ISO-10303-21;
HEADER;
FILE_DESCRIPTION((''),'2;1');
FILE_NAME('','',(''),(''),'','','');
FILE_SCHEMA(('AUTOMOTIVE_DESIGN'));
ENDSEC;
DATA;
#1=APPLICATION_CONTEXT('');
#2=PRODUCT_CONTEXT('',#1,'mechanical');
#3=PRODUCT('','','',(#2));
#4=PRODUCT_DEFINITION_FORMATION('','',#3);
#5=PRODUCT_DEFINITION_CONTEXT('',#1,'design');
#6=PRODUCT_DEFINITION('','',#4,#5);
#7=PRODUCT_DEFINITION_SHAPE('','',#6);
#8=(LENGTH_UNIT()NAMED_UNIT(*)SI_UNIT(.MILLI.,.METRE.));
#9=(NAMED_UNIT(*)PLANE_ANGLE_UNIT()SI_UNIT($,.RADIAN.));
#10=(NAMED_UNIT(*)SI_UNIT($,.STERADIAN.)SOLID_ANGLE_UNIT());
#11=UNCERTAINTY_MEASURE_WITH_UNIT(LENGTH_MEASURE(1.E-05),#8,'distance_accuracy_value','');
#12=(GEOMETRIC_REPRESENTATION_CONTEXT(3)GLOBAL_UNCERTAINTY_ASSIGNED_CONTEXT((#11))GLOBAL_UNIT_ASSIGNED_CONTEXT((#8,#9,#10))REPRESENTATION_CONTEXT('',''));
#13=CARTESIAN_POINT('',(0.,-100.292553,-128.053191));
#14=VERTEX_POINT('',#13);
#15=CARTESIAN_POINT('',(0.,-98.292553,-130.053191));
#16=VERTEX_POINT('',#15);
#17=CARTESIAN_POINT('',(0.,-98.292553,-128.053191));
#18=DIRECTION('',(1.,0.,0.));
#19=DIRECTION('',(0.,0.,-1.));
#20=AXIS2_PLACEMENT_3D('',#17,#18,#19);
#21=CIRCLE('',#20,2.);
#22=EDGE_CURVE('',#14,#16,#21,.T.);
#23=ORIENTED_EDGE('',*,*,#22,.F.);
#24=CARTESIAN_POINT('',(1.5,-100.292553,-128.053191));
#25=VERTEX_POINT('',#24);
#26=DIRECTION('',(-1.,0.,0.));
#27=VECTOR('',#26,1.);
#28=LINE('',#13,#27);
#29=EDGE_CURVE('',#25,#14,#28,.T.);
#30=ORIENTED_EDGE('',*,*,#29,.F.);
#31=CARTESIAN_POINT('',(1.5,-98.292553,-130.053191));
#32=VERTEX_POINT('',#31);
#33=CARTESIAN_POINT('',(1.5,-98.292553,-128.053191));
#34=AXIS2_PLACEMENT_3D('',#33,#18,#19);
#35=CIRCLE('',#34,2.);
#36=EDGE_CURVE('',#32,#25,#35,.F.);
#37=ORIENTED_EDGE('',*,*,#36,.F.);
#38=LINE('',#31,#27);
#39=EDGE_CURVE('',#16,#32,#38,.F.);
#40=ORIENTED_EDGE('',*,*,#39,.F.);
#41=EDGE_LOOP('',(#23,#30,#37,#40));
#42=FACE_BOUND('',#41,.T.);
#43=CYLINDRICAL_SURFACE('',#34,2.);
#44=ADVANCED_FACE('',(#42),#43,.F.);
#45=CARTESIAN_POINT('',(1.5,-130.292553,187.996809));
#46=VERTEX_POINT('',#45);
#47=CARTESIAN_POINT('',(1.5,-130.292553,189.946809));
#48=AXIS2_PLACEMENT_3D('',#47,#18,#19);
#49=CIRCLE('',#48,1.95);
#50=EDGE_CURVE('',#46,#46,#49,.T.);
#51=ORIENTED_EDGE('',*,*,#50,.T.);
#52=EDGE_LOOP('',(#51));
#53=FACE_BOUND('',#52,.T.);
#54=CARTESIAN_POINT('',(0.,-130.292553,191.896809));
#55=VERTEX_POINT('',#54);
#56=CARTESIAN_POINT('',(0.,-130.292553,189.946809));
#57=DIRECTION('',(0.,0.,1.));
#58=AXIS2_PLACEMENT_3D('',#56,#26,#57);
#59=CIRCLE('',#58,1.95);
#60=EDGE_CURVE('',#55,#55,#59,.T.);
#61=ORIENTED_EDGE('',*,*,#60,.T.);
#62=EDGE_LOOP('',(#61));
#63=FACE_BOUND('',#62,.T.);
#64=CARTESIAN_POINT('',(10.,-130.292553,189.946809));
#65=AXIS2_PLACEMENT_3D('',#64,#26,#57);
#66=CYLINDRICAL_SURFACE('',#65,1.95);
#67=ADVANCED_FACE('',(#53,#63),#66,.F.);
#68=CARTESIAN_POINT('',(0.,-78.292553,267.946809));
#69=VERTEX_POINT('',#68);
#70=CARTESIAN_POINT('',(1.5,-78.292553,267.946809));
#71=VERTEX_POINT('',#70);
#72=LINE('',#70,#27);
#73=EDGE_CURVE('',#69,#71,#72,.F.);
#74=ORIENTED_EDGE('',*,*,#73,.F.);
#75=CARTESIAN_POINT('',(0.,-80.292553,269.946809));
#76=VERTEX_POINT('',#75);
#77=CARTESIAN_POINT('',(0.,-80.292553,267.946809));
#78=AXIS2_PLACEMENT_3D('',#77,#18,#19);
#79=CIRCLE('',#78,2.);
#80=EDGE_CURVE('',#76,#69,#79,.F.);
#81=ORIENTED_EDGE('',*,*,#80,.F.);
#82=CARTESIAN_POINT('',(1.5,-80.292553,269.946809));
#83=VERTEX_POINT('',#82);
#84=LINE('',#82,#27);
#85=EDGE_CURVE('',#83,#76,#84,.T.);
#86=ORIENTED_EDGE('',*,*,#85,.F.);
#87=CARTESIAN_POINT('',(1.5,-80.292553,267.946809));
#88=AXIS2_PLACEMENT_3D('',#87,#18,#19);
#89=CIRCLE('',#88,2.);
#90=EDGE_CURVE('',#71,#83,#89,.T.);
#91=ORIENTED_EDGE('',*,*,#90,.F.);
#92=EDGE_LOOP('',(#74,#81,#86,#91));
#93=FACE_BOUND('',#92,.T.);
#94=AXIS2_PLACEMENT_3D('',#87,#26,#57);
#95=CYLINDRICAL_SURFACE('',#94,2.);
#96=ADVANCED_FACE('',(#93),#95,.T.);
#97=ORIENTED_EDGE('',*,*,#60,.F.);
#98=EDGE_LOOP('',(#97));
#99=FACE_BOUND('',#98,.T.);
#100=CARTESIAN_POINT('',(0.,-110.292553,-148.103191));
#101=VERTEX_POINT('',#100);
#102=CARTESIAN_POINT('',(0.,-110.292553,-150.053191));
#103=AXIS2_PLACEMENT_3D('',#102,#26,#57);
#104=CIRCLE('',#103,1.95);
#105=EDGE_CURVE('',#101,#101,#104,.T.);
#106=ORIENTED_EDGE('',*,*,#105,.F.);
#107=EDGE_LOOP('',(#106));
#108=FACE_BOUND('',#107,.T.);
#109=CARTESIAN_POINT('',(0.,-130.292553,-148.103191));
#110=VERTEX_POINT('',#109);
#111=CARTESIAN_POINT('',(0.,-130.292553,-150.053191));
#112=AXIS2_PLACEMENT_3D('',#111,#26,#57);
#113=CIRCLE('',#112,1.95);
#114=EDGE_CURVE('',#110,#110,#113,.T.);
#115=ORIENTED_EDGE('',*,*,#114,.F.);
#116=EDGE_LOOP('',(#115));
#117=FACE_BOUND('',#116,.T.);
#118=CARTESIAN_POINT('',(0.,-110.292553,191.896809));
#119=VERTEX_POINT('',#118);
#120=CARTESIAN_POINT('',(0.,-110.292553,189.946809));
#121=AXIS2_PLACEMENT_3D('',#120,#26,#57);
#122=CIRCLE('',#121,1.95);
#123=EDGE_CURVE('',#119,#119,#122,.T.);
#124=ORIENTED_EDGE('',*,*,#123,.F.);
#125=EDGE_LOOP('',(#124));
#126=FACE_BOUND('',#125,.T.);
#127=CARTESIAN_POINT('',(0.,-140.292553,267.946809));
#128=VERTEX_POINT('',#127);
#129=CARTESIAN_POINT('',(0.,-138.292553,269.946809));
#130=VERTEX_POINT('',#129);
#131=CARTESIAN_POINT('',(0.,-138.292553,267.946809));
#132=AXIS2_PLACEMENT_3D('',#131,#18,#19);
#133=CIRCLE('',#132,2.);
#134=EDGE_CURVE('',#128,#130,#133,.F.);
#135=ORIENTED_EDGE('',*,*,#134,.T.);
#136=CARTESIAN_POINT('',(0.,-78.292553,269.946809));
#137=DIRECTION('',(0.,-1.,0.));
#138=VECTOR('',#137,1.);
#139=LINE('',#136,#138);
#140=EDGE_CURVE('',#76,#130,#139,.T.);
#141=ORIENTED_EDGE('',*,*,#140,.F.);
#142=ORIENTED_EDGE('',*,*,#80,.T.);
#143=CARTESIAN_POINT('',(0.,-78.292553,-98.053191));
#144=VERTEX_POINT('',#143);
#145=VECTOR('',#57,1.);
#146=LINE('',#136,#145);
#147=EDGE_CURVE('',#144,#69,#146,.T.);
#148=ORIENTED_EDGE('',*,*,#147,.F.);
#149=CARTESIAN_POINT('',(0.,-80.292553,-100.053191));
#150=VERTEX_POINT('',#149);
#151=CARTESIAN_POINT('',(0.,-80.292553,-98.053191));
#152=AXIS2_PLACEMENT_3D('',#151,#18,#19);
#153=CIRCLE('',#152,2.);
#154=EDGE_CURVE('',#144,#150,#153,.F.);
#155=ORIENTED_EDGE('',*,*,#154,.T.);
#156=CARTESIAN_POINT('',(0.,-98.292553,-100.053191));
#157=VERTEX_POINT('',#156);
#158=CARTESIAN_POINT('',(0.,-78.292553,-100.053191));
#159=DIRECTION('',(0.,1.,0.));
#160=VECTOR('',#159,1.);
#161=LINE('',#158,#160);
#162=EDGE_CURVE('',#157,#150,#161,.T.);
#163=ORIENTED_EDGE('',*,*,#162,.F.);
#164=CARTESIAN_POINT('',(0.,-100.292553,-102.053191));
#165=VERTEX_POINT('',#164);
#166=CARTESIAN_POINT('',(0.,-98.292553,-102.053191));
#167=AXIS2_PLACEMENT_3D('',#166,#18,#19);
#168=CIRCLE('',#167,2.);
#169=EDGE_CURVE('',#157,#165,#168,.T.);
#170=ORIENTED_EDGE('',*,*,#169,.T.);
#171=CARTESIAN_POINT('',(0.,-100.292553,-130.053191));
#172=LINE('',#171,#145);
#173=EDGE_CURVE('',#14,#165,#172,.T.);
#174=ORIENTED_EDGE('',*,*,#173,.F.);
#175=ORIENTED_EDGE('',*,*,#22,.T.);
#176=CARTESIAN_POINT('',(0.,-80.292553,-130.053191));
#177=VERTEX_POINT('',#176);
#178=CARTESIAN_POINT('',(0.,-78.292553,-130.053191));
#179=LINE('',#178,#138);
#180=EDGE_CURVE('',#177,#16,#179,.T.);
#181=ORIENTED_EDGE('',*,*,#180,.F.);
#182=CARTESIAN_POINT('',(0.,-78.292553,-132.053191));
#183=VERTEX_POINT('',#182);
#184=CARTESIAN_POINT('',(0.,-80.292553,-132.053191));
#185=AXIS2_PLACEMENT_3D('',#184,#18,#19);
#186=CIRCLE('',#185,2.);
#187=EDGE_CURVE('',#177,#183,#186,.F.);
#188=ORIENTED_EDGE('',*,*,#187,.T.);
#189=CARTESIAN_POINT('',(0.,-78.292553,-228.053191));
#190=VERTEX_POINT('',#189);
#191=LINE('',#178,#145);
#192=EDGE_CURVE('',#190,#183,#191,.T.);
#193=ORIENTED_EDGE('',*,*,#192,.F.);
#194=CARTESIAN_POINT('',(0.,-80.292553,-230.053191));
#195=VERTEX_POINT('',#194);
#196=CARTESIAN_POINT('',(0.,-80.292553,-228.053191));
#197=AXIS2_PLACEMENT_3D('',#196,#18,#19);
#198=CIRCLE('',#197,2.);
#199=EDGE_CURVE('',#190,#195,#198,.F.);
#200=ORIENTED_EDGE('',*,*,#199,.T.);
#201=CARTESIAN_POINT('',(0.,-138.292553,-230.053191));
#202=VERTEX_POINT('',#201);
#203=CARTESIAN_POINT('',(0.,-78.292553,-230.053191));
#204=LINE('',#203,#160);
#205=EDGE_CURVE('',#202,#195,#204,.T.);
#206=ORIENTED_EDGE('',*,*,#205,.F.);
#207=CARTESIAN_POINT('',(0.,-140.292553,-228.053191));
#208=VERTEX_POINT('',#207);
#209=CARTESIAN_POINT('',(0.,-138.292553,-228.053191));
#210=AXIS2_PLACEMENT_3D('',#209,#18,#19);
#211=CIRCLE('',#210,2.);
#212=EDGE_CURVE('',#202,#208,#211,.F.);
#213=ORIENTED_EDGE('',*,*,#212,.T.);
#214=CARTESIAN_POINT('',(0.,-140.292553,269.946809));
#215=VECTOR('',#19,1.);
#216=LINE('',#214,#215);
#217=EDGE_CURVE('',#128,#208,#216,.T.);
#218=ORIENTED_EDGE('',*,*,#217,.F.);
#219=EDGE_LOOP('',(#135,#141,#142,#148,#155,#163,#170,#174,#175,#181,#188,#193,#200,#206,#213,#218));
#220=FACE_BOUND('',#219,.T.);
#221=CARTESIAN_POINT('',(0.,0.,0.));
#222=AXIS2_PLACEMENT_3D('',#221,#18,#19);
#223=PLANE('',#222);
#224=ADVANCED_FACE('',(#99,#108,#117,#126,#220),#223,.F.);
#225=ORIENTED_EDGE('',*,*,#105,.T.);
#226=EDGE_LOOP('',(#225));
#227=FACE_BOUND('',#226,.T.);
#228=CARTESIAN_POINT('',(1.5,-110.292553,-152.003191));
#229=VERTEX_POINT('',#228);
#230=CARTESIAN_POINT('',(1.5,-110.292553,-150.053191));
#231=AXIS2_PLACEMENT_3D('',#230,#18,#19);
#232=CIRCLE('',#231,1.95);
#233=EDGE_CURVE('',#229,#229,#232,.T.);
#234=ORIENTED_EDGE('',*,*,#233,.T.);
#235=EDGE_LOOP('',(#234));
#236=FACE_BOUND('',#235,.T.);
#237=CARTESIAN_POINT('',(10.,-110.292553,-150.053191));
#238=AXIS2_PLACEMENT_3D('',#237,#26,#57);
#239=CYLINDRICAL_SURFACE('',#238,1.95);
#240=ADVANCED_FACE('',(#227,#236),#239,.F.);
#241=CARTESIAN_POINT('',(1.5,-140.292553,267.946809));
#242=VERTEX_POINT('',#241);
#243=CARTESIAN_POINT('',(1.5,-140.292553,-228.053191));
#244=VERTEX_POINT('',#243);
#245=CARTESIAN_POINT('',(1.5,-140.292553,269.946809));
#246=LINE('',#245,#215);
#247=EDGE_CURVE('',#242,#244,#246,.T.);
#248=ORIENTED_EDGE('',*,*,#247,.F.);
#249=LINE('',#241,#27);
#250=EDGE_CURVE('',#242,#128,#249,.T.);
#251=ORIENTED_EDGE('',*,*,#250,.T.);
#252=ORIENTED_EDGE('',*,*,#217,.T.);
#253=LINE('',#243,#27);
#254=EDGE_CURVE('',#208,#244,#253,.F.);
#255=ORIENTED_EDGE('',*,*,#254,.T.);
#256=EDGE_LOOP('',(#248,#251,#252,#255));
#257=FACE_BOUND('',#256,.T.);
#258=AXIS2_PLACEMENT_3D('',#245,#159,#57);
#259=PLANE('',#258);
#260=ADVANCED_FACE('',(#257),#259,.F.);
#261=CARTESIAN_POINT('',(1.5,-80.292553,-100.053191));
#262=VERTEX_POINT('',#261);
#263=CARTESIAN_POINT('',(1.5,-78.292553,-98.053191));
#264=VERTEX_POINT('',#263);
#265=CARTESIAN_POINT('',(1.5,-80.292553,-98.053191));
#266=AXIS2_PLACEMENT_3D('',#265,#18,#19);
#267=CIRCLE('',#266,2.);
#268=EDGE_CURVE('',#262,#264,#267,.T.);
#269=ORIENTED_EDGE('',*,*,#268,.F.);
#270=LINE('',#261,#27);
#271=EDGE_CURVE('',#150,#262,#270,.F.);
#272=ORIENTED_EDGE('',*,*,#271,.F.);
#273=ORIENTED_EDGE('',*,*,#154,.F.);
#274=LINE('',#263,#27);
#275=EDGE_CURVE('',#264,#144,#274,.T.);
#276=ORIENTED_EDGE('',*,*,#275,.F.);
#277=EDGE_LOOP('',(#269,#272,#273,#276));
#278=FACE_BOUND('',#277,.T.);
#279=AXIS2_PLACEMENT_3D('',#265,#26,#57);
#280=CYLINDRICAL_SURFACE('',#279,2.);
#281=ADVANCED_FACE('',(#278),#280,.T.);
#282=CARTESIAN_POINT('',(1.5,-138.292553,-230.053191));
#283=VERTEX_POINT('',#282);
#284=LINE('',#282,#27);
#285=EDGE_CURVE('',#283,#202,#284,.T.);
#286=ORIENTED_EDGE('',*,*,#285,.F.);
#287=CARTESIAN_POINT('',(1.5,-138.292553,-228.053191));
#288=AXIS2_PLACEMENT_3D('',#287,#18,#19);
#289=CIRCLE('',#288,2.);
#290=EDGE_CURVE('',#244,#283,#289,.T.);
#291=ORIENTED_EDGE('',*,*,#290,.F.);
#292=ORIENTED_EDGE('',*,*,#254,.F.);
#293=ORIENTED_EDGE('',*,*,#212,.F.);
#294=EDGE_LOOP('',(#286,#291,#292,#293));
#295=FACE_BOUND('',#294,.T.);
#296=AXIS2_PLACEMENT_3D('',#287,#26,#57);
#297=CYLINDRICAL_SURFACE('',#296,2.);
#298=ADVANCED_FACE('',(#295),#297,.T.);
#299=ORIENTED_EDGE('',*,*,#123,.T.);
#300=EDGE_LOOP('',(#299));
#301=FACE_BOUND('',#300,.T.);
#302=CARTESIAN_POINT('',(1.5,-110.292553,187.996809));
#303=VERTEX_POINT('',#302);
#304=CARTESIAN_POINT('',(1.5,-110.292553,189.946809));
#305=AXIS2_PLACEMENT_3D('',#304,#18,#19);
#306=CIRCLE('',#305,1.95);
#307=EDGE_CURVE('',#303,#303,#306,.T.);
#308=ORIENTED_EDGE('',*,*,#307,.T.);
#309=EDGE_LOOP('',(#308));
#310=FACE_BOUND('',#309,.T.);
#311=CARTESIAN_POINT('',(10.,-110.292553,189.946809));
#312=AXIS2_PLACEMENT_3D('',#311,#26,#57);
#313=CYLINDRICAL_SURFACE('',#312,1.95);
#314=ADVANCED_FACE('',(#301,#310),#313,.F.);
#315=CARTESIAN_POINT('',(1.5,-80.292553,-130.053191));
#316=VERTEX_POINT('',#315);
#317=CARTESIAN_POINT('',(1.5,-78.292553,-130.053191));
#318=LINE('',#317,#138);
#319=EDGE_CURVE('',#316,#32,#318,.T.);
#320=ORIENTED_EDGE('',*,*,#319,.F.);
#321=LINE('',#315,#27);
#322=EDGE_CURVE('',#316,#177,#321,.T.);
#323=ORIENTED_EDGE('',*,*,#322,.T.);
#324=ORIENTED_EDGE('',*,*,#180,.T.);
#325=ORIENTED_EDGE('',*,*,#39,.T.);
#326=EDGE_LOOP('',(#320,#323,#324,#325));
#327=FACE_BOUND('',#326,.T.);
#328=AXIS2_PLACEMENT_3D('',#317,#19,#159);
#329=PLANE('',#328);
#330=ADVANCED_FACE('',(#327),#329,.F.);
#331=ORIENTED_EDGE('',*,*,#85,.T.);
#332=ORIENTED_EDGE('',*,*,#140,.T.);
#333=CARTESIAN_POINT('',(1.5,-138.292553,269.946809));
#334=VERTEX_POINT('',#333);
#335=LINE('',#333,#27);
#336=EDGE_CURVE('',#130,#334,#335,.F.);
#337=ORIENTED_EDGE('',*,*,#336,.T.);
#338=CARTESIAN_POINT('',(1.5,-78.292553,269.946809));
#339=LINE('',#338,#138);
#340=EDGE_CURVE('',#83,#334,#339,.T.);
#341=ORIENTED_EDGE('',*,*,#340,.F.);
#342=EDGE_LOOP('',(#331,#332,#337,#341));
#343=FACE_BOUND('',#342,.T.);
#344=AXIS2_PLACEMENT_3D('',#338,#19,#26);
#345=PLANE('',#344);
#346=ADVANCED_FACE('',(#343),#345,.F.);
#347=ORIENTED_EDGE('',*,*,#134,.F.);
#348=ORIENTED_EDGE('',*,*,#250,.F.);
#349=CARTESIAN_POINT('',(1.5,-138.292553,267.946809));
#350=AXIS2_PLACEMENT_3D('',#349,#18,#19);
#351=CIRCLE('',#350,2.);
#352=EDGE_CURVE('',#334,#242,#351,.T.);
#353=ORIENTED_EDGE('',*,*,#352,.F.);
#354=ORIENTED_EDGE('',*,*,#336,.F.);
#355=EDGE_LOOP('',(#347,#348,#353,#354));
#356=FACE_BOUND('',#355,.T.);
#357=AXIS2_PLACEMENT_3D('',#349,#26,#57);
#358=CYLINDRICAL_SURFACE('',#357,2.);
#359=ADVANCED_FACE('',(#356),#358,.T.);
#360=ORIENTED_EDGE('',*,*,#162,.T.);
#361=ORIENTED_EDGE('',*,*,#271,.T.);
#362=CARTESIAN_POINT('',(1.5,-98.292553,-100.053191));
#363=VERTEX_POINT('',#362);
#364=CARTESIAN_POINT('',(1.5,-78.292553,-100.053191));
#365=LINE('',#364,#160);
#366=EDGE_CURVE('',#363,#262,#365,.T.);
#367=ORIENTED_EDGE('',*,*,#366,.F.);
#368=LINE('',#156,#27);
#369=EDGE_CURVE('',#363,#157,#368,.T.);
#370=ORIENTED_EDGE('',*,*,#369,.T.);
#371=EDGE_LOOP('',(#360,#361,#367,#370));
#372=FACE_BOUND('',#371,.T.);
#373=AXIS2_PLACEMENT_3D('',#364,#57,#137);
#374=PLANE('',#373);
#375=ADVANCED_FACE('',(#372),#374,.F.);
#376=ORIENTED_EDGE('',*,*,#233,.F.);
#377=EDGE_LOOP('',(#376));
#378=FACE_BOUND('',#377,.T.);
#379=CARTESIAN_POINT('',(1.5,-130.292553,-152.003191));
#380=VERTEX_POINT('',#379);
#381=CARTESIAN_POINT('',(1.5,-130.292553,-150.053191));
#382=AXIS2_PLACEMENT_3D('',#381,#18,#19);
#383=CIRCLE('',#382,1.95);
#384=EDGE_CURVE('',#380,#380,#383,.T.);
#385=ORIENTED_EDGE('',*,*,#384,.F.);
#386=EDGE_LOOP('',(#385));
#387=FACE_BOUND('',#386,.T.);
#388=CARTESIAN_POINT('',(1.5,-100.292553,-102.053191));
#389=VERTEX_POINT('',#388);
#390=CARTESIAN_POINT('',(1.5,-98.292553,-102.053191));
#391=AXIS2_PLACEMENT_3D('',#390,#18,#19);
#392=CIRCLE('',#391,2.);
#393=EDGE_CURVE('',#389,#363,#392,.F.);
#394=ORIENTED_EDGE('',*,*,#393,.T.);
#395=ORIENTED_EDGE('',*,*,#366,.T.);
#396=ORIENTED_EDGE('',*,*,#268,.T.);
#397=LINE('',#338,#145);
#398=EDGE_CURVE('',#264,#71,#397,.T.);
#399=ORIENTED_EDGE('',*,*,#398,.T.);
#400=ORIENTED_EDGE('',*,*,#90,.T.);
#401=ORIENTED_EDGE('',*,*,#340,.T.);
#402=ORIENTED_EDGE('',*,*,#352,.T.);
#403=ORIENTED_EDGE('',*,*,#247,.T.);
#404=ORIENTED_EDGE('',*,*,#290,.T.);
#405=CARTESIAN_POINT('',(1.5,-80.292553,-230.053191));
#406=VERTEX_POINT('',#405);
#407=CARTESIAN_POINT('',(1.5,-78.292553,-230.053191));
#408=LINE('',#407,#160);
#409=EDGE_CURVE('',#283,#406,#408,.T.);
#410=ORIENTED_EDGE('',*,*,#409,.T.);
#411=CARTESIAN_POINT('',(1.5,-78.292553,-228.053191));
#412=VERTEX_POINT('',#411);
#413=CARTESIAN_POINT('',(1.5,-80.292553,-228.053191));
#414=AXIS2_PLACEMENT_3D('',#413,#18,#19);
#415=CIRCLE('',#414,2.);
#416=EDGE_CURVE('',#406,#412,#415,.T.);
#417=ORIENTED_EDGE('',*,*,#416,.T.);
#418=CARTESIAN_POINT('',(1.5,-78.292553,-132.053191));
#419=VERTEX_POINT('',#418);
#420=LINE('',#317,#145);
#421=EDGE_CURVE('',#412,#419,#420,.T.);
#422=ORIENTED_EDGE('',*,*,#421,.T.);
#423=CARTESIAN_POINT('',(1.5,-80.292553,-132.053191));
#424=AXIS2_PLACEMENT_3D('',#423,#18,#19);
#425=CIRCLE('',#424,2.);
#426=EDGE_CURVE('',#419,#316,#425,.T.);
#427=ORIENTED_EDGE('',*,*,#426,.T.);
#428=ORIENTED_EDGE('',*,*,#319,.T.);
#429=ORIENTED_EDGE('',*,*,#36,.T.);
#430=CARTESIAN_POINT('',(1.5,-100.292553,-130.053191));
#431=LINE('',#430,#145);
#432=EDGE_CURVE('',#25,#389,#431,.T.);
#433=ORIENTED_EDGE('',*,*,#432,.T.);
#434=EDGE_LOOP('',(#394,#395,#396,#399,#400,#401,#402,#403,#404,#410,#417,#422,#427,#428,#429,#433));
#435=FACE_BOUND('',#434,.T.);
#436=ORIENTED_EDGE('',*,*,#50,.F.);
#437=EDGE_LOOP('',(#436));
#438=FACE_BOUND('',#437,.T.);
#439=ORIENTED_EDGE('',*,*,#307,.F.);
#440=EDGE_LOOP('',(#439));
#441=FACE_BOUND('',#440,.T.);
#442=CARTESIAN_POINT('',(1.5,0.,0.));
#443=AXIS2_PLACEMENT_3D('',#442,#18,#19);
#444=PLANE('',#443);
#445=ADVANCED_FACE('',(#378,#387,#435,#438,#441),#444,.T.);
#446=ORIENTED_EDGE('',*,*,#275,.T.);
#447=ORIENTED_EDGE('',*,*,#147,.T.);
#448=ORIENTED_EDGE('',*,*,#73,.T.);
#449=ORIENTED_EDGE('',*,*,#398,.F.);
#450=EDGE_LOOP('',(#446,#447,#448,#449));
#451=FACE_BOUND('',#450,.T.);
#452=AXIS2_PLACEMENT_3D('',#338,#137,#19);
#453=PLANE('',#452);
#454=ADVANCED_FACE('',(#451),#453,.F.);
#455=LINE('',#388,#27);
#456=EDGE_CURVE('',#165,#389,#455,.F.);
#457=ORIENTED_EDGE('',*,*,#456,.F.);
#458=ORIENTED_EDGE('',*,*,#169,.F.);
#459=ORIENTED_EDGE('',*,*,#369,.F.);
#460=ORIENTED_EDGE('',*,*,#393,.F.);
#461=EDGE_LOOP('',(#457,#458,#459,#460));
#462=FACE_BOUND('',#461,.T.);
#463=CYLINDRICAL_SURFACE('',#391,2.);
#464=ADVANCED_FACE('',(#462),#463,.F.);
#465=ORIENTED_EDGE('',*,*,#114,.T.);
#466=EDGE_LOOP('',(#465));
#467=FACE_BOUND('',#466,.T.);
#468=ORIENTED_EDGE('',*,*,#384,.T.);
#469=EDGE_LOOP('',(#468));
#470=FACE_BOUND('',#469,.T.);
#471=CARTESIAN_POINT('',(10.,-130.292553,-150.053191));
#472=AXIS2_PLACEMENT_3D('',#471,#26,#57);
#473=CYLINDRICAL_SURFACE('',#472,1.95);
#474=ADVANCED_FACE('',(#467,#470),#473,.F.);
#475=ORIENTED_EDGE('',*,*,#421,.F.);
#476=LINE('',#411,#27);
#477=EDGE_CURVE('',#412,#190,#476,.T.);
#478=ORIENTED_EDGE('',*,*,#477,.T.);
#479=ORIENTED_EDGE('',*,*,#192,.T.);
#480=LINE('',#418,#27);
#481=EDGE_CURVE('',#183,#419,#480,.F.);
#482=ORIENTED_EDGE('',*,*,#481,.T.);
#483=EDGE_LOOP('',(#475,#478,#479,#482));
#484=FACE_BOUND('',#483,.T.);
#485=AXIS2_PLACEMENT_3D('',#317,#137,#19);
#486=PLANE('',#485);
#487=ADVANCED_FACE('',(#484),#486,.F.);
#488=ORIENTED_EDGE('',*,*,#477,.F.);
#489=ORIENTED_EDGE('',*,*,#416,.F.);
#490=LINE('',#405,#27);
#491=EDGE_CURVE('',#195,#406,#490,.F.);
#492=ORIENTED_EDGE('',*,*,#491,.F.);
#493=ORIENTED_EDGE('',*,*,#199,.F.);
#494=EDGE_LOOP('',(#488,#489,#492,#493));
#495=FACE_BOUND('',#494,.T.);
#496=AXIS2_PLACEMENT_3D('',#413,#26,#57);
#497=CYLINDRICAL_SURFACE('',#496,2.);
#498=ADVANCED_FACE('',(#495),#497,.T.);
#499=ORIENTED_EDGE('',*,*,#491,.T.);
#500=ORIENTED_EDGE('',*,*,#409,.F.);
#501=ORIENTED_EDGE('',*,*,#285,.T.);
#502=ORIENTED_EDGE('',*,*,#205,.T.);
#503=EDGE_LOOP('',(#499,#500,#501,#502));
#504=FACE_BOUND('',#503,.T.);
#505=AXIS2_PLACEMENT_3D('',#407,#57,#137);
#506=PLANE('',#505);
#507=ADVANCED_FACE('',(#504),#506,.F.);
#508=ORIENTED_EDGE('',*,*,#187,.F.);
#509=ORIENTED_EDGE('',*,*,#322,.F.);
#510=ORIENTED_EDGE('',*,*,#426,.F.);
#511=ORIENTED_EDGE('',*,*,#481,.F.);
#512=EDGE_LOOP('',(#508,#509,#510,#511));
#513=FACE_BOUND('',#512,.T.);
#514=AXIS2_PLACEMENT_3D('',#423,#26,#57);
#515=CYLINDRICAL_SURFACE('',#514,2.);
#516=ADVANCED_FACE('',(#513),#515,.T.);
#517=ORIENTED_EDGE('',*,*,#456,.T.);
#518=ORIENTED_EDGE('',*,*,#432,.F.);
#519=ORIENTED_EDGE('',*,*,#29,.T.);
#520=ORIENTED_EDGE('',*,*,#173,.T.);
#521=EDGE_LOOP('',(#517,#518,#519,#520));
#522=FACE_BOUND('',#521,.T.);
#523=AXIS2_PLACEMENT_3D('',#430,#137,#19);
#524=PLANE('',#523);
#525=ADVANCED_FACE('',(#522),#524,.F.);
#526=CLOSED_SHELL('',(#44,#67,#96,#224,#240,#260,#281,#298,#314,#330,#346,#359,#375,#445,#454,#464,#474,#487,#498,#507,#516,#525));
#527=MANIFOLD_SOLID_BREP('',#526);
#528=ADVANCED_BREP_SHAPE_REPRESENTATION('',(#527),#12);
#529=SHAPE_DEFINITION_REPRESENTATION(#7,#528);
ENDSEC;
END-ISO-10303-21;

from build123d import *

# Parameters (mm, degrees)
BOSS_EXTRUDE1_DEPTH = 1.5
FILLET1_R           = 2
SKETCH2_R           = 1.95
CUT_EXTRUDE1_DEPTH  = 10


with BuildPart() as part:
    # Sketch1 → Boss-Extrude1 (new body)
    with BuildSketch(Plane(origin=(0, 0, 0), x_dir=(0, 0, -1), z_dir=(1, 0, 0))):
        Polygon((130.053191489, -78.292553191), (230.053191489, -78.292553191), (230.053191489, -140.292553191), (-269.946808511, -140.292553191), (-269.946808511, -78.292553191), (100.053191489, -78.292553191), (100.053191489, -100.292553191), (130.053191489, -100.292553191), align=None)
    extrude(amount=BOSS_EXTRUDE1_DEPTH)

    # Fillet1
    fillet1_edges = [part.edges().sort_by_distance(p)[0] for p in [
        (0.75, -78.292553191, 269.946808511),
        (0.75, -78.292553191, -100.053191489),
        (0.75, -100.292553191, -100.053191489),
        (0.75, -100.292553191, -130.053191489),
        (0.75, -78.292553191, -130.053191489),
        (0.75, -78.292553191, -230.053191489),
        (0.75, -140.292553191, -230.053191489),
        (0.75, -140.292553191, 269.946808511),
    ]]
    fillet(fillet1_edges, radius=FILLET1_R)

    # Sketch2 → Cut-Extrude1 (cut)
    with BuildSketch(Plane.ZY):
        with Locations((-150.053191489, -110.292553191)):
            Circle(SKETCH2_R)
        with Locations((-150.053191489, -130.292553191)):
            Circle(SKETCH2_R)
        with Locations((189.946808511, -110.292553191)):
            Circle(SKETCH2_R)
        with Locations((189.946808511, -130.292553191)):
            Circle(SKETCH2_R)
    extrude(amount=-CUT_EXTRUDE1_DEPTH, mode=Mode.SUBTRACT)


solid = part.part
